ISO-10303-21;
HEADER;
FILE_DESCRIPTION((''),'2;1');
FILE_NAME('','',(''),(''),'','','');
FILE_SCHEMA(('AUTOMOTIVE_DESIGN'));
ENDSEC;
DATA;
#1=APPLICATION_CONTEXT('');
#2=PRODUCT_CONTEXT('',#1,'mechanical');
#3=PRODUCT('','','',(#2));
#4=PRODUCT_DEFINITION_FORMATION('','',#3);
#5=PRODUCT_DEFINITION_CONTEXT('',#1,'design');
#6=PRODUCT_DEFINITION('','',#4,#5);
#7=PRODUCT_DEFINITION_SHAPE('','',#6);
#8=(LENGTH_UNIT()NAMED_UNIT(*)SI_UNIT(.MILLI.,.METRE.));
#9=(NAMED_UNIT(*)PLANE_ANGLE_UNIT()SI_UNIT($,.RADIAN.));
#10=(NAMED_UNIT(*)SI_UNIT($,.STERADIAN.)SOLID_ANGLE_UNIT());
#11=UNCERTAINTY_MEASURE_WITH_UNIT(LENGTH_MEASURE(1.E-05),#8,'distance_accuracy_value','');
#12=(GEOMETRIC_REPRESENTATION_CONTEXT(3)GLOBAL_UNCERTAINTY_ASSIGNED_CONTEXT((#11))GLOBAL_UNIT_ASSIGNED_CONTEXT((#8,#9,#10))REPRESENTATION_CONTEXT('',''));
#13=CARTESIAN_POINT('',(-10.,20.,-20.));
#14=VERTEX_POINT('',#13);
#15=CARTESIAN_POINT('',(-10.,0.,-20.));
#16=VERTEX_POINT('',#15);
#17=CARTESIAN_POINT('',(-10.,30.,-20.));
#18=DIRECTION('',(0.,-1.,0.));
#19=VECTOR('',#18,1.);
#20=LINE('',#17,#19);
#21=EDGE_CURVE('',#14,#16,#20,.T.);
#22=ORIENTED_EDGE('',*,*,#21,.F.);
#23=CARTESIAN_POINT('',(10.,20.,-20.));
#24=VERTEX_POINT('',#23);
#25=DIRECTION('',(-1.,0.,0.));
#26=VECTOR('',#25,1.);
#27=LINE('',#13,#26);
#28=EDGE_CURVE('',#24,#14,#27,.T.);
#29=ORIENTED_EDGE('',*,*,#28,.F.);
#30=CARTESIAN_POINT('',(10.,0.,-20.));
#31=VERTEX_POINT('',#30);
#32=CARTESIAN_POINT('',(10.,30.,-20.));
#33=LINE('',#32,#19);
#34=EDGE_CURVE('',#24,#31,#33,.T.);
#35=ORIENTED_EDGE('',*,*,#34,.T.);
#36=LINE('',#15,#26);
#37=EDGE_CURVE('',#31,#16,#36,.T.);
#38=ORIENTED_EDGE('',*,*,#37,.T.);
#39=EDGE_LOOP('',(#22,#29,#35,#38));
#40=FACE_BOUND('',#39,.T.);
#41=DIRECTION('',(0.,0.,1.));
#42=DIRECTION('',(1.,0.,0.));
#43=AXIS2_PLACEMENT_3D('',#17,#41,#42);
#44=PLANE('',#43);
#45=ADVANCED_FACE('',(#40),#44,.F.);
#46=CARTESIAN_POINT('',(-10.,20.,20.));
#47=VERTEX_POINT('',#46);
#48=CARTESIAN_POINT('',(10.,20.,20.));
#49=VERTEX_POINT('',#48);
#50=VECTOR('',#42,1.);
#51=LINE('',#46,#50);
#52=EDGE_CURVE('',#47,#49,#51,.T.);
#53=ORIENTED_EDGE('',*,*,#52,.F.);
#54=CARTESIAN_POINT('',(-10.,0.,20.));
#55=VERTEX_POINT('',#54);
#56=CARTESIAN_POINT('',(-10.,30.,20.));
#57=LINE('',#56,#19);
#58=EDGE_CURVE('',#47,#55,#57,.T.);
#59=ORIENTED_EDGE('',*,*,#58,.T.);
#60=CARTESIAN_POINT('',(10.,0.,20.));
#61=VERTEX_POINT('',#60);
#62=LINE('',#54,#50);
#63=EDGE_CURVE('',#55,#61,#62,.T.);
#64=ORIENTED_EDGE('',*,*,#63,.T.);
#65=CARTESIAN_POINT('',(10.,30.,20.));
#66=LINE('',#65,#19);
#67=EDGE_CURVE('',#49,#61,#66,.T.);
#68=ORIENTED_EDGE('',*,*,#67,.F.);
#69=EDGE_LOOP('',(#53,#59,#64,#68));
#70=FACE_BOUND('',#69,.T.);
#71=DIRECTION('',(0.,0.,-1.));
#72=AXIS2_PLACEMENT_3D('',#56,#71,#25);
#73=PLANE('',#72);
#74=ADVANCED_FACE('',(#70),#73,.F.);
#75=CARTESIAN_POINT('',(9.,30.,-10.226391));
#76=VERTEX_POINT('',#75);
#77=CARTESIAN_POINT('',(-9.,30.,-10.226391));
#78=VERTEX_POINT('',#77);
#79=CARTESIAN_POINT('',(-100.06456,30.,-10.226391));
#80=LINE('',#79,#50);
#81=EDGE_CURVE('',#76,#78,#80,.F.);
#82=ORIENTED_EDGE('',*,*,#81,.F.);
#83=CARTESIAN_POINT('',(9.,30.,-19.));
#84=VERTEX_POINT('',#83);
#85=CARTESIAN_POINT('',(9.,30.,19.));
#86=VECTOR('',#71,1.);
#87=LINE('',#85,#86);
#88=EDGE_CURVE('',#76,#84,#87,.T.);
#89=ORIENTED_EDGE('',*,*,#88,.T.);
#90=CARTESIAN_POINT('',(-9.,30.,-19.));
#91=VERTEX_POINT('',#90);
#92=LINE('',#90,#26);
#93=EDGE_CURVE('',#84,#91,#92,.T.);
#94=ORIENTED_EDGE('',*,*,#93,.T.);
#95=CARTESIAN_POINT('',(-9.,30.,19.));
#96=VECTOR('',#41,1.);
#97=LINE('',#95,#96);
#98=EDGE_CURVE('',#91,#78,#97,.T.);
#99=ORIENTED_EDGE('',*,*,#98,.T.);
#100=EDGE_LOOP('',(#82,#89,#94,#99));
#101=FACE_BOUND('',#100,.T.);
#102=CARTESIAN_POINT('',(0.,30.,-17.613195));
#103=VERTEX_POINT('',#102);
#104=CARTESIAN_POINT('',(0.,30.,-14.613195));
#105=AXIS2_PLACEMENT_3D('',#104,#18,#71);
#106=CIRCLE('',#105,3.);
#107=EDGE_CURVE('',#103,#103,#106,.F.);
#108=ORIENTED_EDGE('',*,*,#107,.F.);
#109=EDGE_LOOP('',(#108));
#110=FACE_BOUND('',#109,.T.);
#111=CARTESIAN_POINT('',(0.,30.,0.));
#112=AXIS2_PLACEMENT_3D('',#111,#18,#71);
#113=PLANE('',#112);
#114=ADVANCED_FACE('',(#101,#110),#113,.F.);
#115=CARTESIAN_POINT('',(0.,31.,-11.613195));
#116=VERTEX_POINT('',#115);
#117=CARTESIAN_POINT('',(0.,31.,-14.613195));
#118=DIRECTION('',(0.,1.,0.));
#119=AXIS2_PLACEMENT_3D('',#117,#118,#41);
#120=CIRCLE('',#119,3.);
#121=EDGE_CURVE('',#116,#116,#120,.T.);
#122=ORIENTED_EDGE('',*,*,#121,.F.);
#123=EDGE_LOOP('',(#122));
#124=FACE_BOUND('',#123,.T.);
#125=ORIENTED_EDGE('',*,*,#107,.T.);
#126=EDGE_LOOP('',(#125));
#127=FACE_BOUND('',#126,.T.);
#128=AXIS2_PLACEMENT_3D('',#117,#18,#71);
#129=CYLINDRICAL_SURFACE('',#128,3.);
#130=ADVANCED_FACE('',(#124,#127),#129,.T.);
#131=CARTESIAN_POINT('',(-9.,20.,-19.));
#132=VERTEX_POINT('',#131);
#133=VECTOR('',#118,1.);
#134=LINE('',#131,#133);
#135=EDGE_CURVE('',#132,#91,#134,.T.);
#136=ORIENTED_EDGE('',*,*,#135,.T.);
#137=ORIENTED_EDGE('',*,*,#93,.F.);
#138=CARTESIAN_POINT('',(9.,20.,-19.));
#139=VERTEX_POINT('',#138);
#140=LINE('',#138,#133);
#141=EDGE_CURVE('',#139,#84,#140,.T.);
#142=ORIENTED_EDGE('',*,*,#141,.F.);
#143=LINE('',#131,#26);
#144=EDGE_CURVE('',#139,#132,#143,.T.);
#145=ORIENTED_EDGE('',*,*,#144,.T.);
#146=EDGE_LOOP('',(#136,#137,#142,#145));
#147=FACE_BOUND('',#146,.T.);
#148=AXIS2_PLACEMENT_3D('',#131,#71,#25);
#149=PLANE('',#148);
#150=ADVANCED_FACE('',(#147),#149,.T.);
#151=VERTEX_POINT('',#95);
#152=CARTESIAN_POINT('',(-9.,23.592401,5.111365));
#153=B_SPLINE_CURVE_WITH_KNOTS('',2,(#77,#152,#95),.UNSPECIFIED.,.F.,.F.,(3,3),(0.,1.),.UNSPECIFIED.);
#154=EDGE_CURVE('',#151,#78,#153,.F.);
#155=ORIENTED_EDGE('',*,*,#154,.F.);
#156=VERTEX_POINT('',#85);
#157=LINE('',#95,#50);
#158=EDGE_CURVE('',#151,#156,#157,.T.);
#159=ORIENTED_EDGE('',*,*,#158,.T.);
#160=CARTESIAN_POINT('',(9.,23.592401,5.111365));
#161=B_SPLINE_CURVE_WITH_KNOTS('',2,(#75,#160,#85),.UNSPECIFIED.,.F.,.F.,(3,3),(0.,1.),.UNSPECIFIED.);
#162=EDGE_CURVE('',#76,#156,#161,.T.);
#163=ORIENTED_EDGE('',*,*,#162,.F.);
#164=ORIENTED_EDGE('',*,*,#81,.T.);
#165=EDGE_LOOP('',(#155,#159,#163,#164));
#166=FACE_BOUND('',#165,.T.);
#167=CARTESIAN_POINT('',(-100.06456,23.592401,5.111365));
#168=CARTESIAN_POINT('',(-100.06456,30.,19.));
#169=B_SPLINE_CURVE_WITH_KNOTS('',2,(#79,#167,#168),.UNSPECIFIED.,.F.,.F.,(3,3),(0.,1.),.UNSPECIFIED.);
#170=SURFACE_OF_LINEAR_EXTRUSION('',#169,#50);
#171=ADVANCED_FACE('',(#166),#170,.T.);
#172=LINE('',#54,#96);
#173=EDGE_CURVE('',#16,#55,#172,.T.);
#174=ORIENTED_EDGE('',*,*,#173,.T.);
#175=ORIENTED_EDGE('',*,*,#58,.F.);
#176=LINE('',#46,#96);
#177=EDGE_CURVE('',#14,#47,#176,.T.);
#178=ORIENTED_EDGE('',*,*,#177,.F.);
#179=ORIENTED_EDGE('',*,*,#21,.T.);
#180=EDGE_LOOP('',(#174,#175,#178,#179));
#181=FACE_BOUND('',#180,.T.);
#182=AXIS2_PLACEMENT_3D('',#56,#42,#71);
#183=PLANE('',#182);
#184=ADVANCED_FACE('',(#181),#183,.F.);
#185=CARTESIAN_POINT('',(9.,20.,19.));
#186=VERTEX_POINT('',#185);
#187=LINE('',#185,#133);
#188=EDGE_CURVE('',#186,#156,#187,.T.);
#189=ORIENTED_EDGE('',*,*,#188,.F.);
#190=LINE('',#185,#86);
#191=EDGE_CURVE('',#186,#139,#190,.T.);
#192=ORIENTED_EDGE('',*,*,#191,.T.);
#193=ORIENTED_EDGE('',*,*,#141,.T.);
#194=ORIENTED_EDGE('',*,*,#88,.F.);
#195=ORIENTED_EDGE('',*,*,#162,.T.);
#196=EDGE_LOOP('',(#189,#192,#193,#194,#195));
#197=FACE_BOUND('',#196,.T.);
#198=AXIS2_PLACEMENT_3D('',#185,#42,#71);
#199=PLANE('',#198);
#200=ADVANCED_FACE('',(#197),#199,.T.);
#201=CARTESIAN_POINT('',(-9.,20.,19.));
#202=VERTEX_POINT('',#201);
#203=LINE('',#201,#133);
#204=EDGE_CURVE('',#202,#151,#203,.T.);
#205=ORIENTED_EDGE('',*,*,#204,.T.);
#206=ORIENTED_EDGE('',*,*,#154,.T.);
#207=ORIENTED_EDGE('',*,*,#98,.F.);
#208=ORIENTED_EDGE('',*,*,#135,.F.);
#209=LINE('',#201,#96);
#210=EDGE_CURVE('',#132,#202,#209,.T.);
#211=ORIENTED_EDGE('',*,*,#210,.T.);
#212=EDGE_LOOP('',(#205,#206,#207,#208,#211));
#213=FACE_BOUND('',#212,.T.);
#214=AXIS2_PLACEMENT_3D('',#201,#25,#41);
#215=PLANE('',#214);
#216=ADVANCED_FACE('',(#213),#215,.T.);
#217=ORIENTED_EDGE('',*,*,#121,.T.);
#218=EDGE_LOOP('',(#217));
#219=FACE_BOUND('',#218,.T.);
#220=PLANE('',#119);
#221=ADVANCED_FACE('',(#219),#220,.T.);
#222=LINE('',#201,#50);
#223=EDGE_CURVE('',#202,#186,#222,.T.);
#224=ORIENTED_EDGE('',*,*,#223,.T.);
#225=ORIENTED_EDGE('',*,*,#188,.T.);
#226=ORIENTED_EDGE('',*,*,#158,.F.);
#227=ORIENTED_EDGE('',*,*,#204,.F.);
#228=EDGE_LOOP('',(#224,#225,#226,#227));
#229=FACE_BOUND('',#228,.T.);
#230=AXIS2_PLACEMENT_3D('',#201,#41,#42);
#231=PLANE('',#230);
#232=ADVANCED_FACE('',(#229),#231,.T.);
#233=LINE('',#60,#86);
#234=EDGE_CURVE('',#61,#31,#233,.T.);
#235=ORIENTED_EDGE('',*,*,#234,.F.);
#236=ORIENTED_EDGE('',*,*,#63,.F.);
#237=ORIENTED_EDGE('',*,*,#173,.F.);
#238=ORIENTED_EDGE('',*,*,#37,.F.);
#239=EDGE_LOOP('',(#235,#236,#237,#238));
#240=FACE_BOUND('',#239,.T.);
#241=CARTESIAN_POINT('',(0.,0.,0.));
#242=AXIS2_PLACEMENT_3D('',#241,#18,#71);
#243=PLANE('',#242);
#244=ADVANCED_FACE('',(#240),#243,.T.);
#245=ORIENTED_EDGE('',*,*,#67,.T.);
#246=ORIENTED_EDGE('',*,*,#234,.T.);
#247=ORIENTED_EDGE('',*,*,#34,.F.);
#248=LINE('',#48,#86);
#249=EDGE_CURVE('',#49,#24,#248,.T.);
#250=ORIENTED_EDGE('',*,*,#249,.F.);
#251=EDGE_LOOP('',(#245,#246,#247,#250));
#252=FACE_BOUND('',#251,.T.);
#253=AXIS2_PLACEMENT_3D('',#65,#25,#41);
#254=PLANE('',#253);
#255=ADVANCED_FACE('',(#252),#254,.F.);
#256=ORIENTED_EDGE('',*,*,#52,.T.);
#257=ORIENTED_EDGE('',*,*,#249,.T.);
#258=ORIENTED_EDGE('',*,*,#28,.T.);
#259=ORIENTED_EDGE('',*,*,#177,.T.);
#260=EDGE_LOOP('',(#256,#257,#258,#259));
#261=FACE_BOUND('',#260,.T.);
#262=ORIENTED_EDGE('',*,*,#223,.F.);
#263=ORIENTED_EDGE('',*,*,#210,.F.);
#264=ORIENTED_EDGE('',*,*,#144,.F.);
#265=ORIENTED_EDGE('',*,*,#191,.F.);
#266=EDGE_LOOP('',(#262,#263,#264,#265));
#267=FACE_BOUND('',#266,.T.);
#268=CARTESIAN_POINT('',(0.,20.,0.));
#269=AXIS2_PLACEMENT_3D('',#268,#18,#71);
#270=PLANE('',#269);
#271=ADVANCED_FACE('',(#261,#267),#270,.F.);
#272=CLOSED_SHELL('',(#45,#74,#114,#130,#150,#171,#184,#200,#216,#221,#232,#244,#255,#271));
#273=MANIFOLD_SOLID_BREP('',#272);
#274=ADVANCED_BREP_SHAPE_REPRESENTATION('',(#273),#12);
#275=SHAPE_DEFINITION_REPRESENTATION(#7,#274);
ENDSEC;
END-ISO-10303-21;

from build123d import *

# Parameters (mm, degrees)
CROQUIS1_W                 = 20
CROQUIS1_H                 = 40
SALIENTE_EXTRUIR1_DEPTH    = 30
CROQUIS2_W                 = 20
CROQUIS2_H                 = 40
CROQUIS2_W_2               = 18
CROQUIS2_H_2               = 38
CORTAR_EXTRUIR1_DEPTH      = 10
CORTAR_EXTRUIR2_DEPTH      = 41.755367745
CORTAR_EXTRUIR2_DEPTH_BACK = 41.755367745
CROQUIS4_R                 = 3
SALIENTE_EXTRUIR2_DEPTH    = 1


with BuildPart() as part:
    # Croquis1 → Saliente-Extruir1 (new body)
    with BuildSketch(Plane(origin=(0, 0, 0), x_dir=(1, 0, 0), z_dir=(0, 1, 0))):
        Rectangle(CROQUIS1_W, CROQUIS1_H)
    extrude(amount=SALIENTE_EXTRUIR1_DEPTH)

    # Croquis2 → Cortar-Extruir1 (cut)
    with BuildSketch(Plane(origin=(0, 30, 0), x_dir=(1, 0, 0), z_dir=(0, 1, 0))):
        Rectangle(CROQUIS2_W, CROQUIS2_H)
        Rectangle(CROQUIS2_W_2, CROQUIS2_H_2, mode=Mode.SUBTRACT)
    extrude(amount=-CORTAR_EXTRUIR1_DEPTH, mode=Mode.SUBTRACT)

    # Croquis3 → Cortar-Extruir2 (cut, two sides: drawn at the far end of the back side and taken through both)
    with BuildSketch(Plane.ZY.offset(9).offset(-CORTAR_EXTRUIR2_DEPTH_BACK)):
        with BuildLine():
            Line((19, 30), (-10.226390802, 30))
            add(Edge.make_bspline(
                [(-10.226390802, 30), (5.11136514, 23.592400747), (19, 30)],
                knots=[0, 0, 0, 1, 1, 1], degree=2))
        make_face()
    extrude(amount=CORTAR_EXTRUIR2_DEPTH + CORTAR_EXTRUIR2_DEPTH_BACK, mode=Mode.SUBTRACT)

    # Croquis4 → Saliente-Extruir2 (add)
    with BuildSketch(Plane(origin=(0, 30, 0), x_dir=(1, 0, 0), z_dir=(0, 1, 0))):
        with Locations(Location((0, 14.613195401, 0), (0, 0, 90))):
            Circle(CROQUIS4_R)
    extrude(amount=SALIENTE_EXTRUIR2_DEPTH)


solid = part.part
